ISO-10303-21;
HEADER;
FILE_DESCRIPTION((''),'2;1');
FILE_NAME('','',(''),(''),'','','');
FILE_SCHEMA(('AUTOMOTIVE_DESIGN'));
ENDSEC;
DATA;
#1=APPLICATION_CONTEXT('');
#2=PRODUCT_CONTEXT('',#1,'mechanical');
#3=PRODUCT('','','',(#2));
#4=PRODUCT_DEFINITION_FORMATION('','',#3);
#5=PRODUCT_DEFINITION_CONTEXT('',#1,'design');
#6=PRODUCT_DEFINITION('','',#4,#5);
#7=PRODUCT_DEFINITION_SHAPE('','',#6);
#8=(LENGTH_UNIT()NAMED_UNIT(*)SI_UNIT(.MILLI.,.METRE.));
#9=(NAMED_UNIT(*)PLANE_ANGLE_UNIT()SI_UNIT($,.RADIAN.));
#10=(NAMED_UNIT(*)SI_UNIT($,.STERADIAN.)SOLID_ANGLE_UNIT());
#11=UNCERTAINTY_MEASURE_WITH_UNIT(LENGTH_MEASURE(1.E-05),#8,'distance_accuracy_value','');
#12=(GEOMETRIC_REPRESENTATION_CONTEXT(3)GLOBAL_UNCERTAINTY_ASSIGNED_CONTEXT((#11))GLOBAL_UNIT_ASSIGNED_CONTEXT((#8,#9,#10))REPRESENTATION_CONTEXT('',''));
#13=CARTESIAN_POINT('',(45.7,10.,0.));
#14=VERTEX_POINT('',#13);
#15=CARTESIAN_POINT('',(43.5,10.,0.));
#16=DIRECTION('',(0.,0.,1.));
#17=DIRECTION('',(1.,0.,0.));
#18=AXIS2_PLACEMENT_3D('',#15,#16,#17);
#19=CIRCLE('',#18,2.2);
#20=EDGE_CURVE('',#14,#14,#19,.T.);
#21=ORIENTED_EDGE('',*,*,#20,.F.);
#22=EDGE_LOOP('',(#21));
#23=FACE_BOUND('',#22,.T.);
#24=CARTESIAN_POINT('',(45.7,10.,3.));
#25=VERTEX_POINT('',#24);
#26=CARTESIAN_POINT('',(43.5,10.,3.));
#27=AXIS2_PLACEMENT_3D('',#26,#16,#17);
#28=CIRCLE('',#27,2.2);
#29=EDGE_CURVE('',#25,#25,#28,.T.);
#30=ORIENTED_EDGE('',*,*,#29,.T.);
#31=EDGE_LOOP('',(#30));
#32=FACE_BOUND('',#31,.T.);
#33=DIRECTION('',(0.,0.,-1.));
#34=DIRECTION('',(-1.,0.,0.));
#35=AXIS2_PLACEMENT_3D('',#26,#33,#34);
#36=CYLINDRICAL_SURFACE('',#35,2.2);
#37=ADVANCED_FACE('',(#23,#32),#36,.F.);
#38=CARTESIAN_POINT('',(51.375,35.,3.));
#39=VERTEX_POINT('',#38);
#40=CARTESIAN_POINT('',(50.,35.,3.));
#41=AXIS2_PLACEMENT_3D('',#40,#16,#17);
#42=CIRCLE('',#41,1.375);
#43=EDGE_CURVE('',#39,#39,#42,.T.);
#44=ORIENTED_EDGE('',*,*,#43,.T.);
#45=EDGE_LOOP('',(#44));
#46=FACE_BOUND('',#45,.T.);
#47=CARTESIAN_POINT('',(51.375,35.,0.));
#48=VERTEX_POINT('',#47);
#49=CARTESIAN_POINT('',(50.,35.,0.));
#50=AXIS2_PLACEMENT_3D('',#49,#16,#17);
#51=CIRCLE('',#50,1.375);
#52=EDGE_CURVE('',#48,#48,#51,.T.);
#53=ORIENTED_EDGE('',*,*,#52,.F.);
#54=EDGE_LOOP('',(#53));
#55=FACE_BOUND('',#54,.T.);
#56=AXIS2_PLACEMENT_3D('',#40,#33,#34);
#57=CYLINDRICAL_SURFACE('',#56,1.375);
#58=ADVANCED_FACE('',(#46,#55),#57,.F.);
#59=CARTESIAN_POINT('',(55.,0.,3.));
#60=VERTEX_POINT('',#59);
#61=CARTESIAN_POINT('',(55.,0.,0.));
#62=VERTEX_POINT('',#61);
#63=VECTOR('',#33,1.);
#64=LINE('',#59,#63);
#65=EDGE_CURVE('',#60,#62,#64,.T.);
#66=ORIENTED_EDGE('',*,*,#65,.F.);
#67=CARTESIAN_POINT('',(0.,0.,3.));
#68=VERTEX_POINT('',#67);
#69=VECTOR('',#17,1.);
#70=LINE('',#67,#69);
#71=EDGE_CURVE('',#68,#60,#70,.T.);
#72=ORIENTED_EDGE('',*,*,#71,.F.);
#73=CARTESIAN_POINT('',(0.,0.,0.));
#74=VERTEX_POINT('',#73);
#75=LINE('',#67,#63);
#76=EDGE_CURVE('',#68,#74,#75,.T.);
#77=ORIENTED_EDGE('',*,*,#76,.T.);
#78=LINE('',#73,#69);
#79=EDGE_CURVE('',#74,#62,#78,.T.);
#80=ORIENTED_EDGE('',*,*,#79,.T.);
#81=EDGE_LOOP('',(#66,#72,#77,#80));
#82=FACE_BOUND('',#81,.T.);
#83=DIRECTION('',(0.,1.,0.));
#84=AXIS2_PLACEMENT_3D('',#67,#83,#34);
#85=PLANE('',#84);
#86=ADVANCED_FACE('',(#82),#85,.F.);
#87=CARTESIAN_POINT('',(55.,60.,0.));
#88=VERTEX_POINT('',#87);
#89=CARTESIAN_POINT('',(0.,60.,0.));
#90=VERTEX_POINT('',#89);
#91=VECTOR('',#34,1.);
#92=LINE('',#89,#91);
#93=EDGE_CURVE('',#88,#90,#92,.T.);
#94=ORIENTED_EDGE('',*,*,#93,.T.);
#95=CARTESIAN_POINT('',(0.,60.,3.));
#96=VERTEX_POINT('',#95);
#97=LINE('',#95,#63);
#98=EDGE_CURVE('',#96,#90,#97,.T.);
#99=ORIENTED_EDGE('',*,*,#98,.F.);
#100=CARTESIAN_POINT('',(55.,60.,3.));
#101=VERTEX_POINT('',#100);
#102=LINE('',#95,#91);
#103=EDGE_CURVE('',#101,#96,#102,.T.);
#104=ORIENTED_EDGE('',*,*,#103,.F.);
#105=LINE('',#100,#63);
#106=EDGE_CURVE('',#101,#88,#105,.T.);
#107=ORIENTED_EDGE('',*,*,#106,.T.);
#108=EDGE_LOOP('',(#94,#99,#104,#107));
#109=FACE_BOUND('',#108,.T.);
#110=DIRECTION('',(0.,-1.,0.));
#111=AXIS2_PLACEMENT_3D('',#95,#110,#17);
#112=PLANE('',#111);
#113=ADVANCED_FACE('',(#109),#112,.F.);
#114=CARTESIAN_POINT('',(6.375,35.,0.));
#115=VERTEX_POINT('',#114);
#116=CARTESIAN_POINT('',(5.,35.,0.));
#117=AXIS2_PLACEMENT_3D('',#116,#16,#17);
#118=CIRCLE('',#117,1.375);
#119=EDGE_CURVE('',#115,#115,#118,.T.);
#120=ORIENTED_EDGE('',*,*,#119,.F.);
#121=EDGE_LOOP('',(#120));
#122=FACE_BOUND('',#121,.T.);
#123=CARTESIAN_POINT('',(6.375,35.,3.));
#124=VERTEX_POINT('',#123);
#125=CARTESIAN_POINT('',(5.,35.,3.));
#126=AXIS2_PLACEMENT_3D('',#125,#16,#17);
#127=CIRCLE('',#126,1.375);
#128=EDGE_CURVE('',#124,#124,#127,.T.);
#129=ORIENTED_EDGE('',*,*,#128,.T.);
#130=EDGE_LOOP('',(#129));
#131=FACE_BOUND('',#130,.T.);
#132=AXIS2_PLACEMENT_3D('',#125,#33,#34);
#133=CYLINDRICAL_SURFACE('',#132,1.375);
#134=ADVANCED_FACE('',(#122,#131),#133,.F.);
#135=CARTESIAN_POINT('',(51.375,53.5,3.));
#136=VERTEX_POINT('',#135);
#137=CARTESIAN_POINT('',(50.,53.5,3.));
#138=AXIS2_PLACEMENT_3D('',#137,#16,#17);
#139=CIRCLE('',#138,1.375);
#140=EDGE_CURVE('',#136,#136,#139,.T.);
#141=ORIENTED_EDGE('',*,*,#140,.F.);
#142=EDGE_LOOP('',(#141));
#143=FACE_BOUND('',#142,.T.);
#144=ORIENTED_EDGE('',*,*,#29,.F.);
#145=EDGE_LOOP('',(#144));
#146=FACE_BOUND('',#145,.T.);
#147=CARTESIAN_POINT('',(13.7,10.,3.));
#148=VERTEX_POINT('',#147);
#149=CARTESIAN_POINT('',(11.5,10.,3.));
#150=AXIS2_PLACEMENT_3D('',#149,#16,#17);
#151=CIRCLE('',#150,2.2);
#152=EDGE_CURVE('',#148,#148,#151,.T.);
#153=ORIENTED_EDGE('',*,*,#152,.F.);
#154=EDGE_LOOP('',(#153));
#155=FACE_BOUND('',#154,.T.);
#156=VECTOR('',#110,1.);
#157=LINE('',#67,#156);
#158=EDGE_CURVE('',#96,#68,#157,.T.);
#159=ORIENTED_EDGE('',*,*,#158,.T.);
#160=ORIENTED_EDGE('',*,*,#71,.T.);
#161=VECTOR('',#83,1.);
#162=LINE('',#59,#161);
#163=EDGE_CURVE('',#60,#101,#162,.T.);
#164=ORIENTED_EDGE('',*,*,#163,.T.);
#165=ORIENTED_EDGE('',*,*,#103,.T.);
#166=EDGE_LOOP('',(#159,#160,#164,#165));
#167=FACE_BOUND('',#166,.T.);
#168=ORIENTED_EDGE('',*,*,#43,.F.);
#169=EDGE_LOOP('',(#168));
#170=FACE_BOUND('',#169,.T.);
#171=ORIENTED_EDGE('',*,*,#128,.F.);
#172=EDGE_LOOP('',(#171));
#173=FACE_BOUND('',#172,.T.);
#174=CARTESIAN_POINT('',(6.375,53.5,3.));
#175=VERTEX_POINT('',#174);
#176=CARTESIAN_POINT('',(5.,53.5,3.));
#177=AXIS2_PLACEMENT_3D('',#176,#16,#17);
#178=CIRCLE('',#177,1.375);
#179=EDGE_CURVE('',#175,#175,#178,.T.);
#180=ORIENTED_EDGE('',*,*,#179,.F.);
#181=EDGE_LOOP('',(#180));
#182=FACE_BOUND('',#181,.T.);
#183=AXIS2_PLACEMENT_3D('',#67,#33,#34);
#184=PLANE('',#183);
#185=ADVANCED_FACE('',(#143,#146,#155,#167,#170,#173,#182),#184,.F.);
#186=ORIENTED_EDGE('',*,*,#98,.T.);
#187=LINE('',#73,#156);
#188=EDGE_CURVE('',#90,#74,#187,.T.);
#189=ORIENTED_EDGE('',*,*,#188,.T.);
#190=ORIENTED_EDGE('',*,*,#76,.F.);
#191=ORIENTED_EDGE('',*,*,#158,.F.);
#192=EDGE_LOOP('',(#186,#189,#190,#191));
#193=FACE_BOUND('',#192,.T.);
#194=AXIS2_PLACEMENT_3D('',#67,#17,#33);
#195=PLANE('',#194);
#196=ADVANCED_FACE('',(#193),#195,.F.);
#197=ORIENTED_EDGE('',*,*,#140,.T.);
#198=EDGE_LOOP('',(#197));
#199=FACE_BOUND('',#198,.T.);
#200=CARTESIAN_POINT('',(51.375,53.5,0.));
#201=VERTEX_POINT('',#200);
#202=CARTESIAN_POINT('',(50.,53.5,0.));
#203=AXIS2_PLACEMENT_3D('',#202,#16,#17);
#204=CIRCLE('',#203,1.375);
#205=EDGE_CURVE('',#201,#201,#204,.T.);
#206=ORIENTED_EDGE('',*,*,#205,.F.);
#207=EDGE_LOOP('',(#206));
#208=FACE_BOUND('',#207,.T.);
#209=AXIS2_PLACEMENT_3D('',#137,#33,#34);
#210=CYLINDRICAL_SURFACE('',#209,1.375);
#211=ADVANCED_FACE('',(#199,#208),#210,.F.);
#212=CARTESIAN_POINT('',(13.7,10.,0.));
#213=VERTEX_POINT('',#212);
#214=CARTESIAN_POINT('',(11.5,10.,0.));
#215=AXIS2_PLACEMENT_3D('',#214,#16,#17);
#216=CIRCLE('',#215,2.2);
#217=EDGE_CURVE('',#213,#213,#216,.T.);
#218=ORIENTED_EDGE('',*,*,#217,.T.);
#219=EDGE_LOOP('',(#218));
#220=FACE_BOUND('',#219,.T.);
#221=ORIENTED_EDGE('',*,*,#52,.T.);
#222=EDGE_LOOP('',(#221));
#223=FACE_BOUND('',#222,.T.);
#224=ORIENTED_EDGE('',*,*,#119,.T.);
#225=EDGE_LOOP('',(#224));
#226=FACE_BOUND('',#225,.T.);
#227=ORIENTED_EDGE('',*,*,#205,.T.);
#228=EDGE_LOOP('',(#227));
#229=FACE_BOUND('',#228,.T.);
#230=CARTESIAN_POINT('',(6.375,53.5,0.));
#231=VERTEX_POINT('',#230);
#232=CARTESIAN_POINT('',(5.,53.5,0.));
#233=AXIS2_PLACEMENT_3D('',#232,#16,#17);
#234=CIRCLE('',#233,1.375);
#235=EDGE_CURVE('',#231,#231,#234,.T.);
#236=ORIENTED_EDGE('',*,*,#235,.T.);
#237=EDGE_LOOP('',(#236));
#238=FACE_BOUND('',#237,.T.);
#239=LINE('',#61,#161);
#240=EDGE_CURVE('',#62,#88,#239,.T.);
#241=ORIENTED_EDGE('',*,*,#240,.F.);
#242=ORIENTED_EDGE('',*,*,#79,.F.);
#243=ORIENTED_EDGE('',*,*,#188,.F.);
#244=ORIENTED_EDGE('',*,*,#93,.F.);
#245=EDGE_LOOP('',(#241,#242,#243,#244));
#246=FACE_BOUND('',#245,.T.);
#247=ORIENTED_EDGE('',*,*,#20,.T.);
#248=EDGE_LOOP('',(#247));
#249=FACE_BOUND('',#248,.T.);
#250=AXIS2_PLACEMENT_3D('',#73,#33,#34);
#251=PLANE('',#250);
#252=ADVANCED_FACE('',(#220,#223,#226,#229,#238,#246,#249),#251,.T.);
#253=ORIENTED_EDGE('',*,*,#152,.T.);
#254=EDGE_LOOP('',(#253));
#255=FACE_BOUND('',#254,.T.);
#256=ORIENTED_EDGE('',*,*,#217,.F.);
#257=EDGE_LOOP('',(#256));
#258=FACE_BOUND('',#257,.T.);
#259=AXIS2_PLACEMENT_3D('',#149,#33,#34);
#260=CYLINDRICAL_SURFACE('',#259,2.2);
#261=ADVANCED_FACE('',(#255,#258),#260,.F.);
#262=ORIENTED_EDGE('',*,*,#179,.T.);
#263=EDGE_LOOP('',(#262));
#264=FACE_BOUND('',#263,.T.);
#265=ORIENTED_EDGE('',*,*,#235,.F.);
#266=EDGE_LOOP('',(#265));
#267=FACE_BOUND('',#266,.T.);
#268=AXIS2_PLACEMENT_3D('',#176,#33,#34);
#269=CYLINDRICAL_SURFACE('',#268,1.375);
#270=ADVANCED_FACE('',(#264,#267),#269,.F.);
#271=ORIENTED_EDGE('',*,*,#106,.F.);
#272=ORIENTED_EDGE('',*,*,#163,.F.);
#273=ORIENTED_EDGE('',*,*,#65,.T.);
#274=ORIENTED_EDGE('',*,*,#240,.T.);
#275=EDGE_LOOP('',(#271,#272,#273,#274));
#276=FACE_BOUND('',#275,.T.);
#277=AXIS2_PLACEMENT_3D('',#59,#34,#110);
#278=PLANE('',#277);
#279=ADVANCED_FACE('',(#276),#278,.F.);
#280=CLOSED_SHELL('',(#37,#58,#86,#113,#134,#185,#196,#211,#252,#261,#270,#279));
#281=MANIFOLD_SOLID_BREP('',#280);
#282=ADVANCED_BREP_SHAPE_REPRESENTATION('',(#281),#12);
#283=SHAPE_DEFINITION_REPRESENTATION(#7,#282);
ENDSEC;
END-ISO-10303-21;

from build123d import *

# Parameters (mm, degrees)
SKETCH1_W           = 55
SKETCH1_H           = 60
SKETCH1_R           = 1.375
SKETCH1_R_2         = 2.2
BOSS_EXTRUDE1_DEPTH = 3


with BuildPart() as part:
    # Sketch1 → Boss-Extrude1 (new body)
    with BuildSketch(Plane.XY):
        with Locations((27.5, 30)):
            Rectangle(SKETCH1_W, SKETCH1_H)
        with Locations((5, 53.5)):
            Circle(SKETCH1_R, mode=Mode.SUBTRACT)
        with Locations((50, 53.5)):
            Circle(SKETCH1_R, mode=Mode.SUBTRACT)
        with Locations((50, 35)):
            Circle(SKETCH1_R, mode=Mode.SUBTRACT)
        with Locations((5, 35)):
            Circle(SKETCH1_R, mode=Mode.SUBTRACT)
        with Locations((11.5, 10)):
            Circle(SKETCH1_R_2, mode=Mode.SUBTRACT)
        with Locations((43.5, 10)):
            Circle(SKETCH1_R_2, mode=Mode.SUBTRACT)
    extrude(amount=BOSS_EXTRUDE1_DEPTH)


solid = part.part
